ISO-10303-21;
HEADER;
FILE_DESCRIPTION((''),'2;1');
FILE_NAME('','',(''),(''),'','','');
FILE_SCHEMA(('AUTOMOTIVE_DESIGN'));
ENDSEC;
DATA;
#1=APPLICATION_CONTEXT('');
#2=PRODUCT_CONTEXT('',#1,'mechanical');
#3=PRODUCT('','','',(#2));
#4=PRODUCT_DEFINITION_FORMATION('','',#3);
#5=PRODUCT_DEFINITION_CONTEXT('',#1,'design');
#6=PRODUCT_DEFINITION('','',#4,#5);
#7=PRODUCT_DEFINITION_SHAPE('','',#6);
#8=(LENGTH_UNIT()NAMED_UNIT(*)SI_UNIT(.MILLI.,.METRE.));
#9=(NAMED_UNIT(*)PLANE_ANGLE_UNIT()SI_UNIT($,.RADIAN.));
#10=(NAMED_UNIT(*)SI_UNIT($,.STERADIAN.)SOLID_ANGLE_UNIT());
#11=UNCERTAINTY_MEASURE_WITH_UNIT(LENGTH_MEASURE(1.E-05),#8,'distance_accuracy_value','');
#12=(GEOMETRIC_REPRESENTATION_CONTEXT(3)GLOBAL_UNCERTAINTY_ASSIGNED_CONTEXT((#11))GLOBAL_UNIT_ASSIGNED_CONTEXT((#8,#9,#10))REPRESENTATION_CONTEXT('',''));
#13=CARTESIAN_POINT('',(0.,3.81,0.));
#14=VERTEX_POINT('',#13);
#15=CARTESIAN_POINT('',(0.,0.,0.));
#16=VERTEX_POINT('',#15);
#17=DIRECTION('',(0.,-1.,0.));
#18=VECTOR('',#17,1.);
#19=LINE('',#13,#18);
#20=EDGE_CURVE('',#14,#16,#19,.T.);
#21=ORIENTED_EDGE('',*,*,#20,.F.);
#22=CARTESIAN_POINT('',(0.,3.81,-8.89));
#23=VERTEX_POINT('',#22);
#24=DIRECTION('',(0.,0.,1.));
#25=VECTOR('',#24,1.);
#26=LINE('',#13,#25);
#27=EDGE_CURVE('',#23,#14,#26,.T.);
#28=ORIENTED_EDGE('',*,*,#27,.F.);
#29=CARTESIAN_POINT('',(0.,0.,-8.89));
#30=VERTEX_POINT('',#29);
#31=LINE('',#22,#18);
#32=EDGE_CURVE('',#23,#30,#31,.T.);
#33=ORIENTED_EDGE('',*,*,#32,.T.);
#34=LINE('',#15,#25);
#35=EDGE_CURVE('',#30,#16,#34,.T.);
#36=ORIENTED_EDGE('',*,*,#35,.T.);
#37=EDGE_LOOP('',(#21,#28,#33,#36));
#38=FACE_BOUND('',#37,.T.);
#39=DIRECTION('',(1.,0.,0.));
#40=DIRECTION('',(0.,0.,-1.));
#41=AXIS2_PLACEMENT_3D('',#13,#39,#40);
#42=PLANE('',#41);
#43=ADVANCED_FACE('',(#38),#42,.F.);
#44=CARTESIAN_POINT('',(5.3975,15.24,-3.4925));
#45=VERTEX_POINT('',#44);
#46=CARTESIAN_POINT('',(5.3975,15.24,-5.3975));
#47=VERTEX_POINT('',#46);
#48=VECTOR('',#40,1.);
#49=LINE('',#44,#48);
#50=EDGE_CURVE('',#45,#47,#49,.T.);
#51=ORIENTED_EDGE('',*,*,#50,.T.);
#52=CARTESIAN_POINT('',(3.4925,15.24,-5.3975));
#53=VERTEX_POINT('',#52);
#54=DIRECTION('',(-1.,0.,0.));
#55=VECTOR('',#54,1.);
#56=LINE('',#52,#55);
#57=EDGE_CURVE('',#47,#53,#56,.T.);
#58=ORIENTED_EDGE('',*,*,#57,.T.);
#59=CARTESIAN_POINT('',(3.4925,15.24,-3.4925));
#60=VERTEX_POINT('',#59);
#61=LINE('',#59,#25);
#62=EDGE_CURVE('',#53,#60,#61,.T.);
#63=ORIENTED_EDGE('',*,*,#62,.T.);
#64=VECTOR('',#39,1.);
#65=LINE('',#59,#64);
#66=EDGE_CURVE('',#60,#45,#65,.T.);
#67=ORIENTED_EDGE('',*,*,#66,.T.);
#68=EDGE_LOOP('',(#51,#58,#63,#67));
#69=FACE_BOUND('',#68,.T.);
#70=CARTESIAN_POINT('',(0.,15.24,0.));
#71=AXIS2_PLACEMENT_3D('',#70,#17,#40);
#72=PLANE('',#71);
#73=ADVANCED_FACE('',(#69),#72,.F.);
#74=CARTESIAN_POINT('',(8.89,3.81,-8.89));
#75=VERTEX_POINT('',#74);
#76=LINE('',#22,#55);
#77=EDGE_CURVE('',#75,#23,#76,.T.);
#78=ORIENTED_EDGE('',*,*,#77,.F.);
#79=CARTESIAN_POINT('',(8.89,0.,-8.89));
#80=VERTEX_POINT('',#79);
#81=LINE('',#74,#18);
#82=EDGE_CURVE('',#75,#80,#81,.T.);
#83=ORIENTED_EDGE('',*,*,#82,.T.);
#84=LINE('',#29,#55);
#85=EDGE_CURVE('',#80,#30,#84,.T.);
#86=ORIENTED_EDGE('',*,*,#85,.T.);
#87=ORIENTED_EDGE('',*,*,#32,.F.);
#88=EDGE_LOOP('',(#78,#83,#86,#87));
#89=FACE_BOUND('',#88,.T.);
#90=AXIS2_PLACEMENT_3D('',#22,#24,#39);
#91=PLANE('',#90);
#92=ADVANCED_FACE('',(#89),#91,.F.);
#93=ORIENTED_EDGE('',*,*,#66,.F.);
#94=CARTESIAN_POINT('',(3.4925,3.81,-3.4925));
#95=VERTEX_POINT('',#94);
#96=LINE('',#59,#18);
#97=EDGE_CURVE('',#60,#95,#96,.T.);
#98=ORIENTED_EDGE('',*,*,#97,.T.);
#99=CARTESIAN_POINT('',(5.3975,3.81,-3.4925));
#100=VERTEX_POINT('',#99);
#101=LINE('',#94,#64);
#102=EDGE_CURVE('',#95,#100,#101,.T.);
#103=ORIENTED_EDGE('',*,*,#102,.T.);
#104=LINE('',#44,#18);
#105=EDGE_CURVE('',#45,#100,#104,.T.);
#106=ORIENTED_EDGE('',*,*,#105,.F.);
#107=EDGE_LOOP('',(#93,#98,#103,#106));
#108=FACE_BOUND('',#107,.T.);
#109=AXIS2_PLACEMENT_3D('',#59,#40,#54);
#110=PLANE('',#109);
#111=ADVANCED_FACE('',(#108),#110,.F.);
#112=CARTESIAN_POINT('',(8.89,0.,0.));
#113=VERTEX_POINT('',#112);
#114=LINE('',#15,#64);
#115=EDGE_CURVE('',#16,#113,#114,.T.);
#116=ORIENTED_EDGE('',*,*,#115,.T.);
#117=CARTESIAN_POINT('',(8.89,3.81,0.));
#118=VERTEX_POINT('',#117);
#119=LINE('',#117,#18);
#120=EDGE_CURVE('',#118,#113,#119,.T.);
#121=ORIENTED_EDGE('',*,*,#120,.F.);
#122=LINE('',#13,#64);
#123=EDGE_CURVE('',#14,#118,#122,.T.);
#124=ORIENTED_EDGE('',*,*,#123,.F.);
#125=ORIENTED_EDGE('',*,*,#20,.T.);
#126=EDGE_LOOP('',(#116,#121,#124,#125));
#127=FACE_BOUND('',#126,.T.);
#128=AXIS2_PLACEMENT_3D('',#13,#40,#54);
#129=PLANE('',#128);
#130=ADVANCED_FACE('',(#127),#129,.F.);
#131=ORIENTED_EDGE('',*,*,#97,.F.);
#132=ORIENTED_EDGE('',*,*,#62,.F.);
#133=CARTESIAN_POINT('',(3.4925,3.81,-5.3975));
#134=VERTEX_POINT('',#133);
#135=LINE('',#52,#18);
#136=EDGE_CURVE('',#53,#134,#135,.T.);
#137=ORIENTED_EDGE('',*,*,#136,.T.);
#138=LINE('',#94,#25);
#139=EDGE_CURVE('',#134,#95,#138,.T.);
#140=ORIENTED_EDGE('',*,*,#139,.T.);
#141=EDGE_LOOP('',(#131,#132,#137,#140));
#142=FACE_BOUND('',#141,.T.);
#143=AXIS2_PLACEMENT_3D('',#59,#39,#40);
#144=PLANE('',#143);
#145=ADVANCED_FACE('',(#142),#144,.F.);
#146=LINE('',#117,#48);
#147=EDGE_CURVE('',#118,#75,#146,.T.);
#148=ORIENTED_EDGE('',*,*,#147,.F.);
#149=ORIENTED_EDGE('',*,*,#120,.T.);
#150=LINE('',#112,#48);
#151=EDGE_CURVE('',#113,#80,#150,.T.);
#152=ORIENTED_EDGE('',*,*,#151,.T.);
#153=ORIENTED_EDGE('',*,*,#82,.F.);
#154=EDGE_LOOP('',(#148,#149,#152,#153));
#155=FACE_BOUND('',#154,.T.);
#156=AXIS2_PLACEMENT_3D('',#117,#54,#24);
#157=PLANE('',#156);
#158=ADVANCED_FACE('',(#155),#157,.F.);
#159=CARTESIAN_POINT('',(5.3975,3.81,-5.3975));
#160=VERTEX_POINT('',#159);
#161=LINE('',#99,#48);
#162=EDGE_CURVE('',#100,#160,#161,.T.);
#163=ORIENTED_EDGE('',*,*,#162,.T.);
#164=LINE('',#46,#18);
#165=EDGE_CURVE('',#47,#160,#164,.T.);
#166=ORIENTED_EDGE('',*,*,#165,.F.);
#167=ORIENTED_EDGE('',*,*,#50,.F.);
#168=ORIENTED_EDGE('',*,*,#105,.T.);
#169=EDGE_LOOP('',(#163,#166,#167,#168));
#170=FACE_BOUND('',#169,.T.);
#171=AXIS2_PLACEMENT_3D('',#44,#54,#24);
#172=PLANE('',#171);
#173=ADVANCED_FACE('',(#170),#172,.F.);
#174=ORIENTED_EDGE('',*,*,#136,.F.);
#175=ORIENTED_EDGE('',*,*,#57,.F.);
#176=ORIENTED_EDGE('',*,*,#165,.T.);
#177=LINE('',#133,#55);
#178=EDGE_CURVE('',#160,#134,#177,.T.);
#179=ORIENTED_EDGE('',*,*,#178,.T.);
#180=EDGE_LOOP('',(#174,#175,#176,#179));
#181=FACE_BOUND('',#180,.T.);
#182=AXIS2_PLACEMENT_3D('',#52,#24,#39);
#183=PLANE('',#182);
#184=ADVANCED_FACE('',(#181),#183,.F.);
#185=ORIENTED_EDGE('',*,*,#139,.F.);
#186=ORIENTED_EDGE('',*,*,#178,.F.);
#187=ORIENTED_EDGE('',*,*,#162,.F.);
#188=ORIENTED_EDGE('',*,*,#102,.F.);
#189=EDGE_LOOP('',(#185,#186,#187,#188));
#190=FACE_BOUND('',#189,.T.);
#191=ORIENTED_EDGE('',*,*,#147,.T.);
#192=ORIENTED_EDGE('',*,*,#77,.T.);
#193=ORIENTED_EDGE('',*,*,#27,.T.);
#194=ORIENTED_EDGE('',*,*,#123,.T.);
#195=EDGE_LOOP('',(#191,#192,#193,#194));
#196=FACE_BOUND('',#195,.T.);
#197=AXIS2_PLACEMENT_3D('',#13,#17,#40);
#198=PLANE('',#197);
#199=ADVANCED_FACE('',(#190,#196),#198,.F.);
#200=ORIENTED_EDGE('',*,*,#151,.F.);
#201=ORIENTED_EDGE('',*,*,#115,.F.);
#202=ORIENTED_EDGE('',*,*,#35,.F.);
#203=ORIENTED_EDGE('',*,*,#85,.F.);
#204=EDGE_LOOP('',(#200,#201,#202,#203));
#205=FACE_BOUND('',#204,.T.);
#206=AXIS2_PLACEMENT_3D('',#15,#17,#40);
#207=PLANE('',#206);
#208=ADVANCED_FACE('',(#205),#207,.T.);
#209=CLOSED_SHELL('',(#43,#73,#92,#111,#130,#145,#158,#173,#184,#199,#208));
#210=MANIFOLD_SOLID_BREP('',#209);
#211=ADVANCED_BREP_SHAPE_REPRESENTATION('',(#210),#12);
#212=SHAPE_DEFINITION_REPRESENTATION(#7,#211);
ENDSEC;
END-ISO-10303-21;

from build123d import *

# Parameters (mm, degrees)
SKETCH1_W           = 8.89
SKETCH1_H           = 8.89
BOSS_EXTRUDE1_DEPTH = 3.81
SKETCH2_W           = 1.905
SKETCH2_H           = 1.905
BOSS_EXTRUDE2_DEPTH = 11.43


with BuildPart() as part:
    # Sketch1 → Boss-Extrude1 (new body)
    with BuildSketch(Plane(origin=(0, 0, 0), x_dir=(1, 0, 0), z_dir=(0, 1, 0))):
        with Locations((4.445, 4.445)):
            Rectangle(SKETCH1_W, SKETCH1_H)
    extrude(amount=BOSS_EXTRUDE1_DEPTH)

    # Sketch2 → Boss-Extrude2 (add)
    with BuildSketch(Plane(origin=(0, 3.81, 0), x_dir=(1, 0, 0), z_dir=(0, 1, 0))):
        with Locations((4.445, 4.445)):
            Rectangle(SKETCH2_W, SKETCH2_H)
    extrude(amount=BOSS_EXTRUDE2_DEPTH)


solid = part.part
